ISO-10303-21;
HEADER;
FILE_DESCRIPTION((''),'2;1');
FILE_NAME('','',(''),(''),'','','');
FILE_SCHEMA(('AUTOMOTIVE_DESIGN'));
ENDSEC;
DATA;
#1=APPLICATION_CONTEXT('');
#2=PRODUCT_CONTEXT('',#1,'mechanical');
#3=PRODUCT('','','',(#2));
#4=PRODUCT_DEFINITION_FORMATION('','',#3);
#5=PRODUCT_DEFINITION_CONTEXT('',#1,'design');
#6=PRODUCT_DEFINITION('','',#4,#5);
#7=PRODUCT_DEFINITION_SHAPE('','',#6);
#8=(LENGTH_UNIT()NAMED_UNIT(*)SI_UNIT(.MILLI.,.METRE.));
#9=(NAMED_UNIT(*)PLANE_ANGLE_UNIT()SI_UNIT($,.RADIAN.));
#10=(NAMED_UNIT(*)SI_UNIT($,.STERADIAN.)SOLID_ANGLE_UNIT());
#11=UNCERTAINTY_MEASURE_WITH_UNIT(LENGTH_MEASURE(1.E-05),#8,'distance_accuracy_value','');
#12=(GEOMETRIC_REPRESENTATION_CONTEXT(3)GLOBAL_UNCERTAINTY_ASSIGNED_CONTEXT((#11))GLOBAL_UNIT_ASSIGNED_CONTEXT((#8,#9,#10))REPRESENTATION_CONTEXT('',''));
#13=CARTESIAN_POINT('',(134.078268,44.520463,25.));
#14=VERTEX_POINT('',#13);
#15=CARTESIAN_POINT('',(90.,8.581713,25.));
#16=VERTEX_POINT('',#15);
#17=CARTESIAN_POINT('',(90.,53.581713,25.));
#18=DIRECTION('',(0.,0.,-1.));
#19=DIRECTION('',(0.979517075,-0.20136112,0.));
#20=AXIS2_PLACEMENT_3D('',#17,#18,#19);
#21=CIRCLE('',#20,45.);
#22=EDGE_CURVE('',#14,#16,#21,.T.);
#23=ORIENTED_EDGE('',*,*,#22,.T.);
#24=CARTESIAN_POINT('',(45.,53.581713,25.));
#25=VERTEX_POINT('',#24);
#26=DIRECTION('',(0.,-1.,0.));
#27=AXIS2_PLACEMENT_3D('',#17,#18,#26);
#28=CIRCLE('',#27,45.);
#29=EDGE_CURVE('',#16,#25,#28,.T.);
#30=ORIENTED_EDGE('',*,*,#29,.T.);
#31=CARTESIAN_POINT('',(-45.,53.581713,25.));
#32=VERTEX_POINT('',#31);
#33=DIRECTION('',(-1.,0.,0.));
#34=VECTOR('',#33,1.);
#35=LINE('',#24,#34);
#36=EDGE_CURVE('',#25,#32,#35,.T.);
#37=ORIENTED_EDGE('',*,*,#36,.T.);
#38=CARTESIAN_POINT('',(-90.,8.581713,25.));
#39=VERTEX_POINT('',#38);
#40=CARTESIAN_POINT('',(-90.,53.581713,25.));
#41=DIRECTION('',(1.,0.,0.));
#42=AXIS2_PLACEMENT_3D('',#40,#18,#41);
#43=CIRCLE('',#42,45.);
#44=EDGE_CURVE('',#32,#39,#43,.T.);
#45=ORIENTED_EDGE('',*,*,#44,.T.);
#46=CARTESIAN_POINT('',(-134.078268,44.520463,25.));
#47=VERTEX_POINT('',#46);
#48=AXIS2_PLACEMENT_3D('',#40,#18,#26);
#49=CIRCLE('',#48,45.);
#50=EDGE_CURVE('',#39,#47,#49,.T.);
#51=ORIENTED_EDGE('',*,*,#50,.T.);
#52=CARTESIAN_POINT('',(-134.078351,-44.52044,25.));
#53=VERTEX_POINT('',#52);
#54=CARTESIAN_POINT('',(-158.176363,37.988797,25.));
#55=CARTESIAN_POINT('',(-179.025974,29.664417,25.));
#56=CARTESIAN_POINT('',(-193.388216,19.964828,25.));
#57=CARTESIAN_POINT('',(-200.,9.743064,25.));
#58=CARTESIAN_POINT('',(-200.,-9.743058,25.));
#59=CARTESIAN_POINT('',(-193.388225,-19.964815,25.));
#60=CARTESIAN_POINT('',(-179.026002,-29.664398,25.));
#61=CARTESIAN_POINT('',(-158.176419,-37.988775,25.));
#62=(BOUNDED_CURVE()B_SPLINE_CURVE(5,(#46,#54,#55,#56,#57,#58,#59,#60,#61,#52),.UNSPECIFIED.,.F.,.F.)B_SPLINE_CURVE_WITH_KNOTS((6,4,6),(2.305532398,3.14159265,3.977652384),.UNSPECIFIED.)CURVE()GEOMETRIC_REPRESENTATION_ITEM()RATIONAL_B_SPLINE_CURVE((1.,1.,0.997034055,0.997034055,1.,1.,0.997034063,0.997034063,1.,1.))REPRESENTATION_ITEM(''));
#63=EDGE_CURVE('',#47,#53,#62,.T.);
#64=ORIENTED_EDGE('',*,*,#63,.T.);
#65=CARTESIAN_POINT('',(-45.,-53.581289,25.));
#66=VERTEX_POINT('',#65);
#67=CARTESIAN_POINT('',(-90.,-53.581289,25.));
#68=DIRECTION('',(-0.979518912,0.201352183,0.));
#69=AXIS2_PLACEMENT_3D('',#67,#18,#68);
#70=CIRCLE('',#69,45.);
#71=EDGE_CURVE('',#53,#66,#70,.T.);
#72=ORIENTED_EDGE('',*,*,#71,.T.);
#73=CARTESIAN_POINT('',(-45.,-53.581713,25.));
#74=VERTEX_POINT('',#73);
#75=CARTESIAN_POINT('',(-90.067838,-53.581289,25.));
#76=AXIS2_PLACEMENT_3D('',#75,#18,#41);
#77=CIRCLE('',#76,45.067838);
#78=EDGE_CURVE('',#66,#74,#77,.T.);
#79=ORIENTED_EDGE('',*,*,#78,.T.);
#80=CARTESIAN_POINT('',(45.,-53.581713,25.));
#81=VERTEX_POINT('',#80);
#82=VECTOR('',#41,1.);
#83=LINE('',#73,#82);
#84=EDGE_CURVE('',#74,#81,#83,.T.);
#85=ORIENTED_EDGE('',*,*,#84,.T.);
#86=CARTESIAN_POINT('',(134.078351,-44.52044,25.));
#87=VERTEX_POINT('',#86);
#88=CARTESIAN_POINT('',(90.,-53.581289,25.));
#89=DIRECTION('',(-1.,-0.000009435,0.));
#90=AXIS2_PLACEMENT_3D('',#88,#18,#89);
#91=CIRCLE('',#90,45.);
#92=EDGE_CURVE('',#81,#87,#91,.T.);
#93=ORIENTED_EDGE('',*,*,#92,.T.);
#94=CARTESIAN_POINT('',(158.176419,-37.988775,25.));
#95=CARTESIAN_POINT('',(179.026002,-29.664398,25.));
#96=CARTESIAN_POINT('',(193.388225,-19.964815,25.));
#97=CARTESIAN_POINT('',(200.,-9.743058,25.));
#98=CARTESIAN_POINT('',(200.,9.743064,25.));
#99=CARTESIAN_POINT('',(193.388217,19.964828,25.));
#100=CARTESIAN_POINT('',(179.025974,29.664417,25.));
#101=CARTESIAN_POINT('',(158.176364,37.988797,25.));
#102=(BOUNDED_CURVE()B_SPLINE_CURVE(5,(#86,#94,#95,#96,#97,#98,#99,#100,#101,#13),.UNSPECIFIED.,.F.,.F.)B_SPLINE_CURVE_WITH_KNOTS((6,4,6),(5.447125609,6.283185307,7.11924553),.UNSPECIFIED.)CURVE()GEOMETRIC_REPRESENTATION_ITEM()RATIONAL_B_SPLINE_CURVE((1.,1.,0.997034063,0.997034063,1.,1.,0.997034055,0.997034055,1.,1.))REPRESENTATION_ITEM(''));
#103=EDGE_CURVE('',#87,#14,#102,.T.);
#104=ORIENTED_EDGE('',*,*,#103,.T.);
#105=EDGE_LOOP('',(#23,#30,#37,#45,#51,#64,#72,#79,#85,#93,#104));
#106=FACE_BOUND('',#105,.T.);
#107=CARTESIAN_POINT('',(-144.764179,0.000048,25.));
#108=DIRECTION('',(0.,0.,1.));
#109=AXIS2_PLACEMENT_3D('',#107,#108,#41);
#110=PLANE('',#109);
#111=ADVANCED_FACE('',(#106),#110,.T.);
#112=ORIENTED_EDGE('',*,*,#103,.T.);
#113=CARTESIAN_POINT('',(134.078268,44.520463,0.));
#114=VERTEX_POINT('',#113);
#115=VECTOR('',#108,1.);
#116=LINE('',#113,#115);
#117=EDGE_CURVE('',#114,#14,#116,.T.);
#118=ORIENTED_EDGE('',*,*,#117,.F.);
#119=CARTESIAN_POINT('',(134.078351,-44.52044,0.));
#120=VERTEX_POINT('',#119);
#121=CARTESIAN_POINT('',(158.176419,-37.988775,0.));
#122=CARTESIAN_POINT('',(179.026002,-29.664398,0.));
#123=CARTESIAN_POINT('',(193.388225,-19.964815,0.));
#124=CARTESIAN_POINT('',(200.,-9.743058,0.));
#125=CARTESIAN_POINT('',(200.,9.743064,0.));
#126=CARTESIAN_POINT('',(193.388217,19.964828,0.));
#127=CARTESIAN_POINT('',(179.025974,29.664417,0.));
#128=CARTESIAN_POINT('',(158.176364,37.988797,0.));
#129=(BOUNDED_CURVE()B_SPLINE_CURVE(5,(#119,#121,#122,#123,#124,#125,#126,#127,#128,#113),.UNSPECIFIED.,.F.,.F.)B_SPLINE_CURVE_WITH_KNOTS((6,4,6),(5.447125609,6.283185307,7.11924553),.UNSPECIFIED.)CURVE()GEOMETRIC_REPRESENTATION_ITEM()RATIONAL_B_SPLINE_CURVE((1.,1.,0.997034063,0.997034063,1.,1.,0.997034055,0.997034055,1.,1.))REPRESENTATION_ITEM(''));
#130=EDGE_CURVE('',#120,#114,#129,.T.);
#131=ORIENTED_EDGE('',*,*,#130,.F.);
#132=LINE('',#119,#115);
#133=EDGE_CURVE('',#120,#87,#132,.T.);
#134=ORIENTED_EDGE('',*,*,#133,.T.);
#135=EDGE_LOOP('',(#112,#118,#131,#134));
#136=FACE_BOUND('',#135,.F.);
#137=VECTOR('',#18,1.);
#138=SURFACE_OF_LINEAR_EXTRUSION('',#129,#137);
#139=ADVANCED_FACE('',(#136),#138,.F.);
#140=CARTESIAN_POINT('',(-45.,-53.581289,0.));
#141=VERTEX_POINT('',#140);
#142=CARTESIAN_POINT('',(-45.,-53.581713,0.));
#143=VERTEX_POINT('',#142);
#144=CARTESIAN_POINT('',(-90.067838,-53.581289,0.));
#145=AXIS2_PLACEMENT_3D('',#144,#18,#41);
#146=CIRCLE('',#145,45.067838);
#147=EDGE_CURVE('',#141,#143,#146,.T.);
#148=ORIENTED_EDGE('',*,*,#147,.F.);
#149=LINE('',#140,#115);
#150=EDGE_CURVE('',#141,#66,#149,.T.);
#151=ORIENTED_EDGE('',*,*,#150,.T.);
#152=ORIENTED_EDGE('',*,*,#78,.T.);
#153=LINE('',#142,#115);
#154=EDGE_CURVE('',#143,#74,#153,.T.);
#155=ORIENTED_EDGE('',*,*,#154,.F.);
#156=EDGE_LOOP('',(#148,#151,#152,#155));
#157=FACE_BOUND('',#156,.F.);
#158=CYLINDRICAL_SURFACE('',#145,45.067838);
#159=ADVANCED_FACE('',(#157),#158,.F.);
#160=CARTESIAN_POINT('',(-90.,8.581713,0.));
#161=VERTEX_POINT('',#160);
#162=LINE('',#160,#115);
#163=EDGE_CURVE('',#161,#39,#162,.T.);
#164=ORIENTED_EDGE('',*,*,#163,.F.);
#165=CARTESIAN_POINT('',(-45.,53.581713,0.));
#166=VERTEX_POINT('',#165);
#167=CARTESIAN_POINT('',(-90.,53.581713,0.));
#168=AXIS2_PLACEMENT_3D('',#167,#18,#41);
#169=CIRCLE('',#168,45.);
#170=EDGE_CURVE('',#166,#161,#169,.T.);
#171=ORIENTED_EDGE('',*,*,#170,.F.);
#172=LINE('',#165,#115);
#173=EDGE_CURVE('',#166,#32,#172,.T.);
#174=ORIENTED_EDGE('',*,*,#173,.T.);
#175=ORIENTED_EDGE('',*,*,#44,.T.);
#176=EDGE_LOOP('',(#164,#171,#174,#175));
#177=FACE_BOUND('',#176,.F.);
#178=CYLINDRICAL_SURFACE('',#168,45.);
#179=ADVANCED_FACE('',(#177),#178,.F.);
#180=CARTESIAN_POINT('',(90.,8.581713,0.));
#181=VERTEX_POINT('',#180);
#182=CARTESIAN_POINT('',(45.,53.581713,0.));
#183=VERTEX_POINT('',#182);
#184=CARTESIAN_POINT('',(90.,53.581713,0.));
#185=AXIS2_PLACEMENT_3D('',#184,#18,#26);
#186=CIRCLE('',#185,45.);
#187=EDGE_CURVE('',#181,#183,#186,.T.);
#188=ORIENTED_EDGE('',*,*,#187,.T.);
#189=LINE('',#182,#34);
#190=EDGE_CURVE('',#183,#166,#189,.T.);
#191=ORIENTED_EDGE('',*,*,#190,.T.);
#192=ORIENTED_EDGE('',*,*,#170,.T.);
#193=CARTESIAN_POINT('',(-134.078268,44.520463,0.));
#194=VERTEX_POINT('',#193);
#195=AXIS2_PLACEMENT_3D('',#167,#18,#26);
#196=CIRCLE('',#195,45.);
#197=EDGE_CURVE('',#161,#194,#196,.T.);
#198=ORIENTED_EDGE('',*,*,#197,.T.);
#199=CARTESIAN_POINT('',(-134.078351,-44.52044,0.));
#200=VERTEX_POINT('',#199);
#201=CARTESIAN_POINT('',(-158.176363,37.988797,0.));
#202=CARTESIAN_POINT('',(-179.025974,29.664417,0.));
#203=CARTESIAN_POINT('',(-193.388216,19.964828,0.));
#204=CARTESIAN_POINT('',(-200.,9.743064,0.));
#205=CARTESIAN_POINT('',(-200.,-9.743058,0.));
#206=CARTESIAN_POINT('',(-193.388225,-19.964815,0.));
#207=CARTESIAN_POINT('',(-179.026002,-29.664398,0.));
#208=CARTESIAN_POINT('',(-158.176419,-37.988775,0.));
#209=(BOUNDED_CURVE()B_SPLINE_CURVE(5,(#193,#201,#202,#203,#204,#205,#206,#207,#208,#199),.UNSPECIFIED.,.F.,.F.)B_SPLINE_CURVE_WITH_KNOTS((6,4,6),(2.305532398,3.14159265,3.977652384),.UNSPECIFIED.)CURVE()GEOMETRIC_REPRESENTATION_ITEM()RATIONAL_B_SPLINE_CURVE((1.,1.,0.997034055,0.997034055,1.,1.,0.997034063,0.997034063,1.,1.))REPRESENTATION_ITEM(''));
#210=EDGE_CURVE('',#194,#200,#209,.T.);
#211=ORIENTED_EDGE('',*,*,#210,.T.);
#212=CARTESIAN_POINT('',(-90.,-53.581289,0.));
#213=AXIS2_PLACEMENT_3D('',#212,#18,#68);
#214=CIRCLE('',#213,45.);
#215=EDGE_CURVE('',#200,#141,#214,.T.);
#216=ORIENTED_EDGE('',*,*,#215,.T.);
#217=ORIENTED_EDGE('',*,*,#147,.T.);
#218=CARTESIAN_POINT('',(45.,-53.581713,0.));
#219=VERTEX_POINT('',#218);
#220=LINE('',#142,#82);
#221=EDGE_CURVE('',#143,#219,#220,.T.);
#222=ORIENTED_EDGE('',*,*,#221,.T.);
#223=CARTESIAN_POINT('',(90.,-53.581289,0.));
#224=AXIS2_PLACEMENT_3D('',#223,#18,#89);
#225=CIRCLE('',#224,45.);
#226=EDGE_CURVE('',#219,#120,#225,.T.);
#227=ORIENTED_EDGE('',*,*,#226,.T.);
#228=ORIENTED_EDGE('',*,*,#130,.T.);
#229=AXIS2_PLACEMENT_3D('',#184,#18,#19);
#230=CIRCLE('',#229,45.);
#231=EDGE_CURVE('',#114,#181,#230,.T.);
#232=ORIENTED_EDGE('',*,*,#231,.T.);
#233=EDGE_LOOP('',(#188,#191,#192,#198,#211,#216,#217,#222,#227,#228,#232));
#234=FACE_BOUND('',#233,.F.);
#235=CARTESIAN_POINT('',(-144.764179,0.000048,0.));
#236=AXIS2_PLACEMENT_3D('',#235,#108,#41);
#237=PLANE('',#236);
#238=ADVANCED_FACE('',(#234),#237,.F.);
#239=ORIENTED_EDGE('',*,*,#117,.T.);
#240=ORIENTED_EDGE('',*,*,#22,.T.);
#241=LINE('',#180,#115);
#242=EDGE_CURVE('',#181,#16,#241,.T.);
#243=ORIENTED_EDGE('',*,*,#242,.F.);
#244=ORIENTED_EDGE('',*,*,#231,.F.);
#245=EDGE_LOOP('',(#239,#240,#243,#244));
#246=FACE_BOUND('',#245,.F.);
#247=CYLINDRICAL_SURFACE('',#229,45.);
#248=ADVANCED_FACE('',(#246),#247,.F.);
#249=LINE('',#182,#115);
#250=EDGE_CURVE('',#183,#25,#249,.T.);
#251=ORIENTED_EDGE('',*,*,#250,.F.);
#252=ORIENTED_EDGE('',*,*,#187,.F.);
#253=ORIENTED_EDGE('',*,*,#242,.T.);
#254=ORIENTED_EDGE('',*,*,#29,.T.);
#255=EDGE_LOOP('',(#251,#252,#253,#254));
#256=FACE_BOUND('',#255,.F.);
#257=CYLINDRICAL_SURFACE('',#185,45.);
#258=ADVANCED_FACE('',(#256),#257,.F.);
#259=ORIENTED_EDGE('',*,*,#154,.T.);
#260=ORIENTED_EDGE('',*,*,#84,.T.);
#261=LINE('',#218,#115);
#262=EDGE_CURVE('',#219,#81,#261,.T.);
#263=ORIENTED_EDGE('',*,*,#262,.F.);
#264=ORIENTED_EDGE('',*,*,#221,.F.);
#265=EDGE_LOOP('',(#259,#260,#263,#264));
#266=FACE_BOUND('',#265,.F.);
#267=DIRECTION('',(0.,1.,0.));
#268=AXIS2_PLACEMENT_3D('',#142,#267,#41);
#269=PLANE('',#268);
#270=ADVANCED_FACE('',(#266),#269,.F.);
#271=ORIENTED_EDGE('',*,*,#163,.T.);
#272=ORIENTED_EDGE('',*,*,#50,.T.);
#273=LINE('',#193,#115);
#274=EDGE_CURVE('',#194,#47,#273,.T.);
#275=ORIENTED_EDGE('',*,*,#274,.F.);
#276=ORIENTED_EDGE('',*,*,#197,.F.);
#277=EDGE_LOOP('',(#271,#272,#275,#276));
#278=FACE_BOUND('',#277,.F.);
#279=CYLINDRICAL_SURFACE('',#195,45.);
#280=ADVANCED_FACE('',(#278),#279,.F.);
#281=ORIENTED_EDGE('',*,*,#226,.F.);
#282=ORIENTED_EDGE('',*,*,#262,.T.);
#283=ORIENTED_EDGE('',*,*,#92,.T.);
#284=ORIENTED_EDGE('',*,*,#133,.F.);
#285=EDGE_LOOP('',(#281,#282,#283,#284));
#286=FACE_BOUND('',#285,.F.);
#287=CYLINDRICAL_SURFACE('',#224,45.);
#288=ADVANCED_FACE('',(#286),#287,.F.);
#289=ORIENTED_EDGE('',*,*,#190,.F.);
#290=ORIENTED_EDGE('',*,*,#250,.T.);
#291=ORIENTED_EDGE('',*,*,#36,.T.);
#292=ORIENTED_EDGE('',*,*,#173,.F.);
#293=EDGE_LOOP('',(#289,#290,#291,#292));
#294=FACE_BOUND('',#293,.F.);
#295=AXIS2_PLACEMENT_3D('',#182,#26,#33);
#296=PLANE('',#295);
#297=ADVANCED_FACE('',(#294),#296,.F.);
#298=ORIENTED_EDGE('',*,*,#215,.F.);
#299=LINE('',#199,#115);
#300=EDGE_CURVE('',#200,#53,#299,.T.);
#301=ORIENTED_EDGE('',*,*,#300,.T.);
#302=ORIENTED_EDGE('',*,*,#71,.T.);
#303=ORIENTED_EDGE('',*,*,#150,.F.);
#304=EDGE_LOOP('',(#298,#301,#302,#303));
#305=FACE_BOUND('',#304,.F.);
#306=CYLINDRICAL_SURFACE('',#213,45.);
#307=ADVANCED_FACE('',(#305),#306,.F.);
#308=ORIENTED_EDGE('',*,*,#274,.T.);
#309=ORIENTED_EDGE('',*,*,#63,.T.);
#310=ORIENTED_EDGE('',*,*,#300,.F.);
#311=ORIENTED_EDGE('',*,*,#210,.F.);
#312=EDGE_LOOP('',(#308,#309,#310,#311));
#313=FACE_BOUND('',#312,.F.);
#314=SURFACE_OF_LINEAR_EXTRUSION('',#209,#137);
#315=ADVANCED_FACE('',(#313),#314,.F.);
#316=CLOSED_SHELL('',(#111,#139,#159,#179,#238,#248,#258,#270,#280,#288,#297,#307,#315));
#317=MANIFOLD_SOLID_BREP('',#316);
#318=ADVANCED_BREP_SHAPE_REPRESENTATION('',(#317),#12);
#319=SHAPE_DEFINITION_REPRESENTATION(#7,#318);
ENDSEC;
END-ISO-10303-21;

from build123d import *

# Parameters (mm, degrees)
F1_DEPTH = 25


with BuildPart() as f1:
    # F0 (on Top) → F1 (new body)
    with BuildSketch(Plane.XY):
        with BuildLine():
            add(Edge.make_bspline(
                [(-134.0782683535, 44.5204628904), (-199.999999721, 26.6527141895), (-200, 1.885e-07)],
                knots=[2.305532398, 2.305532398, 2.305532398, 3.1415926504, 3.1415926504, 3.1415926504], degree=2, weights=[1, 0.9138904048, 1]))
            add(Edge.make_bspline(
                [(-200, 1.885e-07), (-200.000000279, -26.6526940275), (-134.0783510273, -44.5204404821)],
                knots=[3.1415926504, 3.1415926504, 3.1415926504, 3.9776523521, 3.9776523521, 3.9776523521], degree=2, weights=[1, 0.9138905166, 1]))
            ThreePointArc((-134.0783510273, -44.5204404821), (-118.4364363932, -18.7048054461), (-90, -8.5812887157))
            Line((-90, -8.5812887157), (-90, 8.5817132985))
            ThreePointArc((-90, 8.5817132985), (-118.4362772848, 18.7051003009), (-134.0782683535, 44.5204628904))
        make_face()
        with BuildLine():
            Line((90, -8.5812887157), (90, 8.5817132985))
            ThreePointArc((90, 8.5817132985), (58.1801948466, 21.7619081451), (45, 53.5817132985))
            Line((45, 53.5817132985), (-45, 53.5817132985))
            ThreePointArc((-45, 53.5817132985), (-58.1801948466, 21.7619081451), (-90, 8.5817132985))
            Line((-90, 8.5817132985), (-90, -8.5812887157))
            ThreePointArc((-90, -8.5812887157), (-58.1801948466, -21.7614835623), (-45, -53.5812887157))
            ThreePointArc((-45, -53.5812887157), (-45.0000000005, -53.5815010071), (-45.000000002, -53.5817132985))
            Line((-45.000000002, -53.5817132985), (45.000000002, -53.5817132985))
            ThreePointArc((45.000000002, -53.5817132985), (58.1800447343, -21.7616336753), (90, -8.5812887157))
        make_face()
        with BuildLine():
            add(Edge.make_bspline(
                [(134.0783510273, -44.5204404821), (200, -26.6526941032), (200, 0)],
                knots=[5.4471256087, 5.4471256087, 5.4471256087, 6.2831853072, 6.2831853072, 6.2831853072], degree=2, weights=[1, 0.9138905173, 1]))
            add(Edge.make_bspline(
                [(200, 0), (200, 26.6527141139), (134.0782683535, 44.5204628904)],
                knots=[0, 0, 0, 0.8360602556, 0.8360602556, 0.8360602556], degree=2, weights=[1, 0.9138904042, 1]))
            ThreePointArc((134.0782683535, 44.5204628904), (118.4362772848, 18.7051003009), (90, 8.5817132985))
            Line((90, 8.5817132985), (90, -8.5812887157))
            ThreePointArc((90, -8.5812887157), (118.4364363932, -18.7048054461), (134.0783510273, -44.5204404821))
        make_face()
    extrude(amount=F1_DEPTH)


solid = f1.part
